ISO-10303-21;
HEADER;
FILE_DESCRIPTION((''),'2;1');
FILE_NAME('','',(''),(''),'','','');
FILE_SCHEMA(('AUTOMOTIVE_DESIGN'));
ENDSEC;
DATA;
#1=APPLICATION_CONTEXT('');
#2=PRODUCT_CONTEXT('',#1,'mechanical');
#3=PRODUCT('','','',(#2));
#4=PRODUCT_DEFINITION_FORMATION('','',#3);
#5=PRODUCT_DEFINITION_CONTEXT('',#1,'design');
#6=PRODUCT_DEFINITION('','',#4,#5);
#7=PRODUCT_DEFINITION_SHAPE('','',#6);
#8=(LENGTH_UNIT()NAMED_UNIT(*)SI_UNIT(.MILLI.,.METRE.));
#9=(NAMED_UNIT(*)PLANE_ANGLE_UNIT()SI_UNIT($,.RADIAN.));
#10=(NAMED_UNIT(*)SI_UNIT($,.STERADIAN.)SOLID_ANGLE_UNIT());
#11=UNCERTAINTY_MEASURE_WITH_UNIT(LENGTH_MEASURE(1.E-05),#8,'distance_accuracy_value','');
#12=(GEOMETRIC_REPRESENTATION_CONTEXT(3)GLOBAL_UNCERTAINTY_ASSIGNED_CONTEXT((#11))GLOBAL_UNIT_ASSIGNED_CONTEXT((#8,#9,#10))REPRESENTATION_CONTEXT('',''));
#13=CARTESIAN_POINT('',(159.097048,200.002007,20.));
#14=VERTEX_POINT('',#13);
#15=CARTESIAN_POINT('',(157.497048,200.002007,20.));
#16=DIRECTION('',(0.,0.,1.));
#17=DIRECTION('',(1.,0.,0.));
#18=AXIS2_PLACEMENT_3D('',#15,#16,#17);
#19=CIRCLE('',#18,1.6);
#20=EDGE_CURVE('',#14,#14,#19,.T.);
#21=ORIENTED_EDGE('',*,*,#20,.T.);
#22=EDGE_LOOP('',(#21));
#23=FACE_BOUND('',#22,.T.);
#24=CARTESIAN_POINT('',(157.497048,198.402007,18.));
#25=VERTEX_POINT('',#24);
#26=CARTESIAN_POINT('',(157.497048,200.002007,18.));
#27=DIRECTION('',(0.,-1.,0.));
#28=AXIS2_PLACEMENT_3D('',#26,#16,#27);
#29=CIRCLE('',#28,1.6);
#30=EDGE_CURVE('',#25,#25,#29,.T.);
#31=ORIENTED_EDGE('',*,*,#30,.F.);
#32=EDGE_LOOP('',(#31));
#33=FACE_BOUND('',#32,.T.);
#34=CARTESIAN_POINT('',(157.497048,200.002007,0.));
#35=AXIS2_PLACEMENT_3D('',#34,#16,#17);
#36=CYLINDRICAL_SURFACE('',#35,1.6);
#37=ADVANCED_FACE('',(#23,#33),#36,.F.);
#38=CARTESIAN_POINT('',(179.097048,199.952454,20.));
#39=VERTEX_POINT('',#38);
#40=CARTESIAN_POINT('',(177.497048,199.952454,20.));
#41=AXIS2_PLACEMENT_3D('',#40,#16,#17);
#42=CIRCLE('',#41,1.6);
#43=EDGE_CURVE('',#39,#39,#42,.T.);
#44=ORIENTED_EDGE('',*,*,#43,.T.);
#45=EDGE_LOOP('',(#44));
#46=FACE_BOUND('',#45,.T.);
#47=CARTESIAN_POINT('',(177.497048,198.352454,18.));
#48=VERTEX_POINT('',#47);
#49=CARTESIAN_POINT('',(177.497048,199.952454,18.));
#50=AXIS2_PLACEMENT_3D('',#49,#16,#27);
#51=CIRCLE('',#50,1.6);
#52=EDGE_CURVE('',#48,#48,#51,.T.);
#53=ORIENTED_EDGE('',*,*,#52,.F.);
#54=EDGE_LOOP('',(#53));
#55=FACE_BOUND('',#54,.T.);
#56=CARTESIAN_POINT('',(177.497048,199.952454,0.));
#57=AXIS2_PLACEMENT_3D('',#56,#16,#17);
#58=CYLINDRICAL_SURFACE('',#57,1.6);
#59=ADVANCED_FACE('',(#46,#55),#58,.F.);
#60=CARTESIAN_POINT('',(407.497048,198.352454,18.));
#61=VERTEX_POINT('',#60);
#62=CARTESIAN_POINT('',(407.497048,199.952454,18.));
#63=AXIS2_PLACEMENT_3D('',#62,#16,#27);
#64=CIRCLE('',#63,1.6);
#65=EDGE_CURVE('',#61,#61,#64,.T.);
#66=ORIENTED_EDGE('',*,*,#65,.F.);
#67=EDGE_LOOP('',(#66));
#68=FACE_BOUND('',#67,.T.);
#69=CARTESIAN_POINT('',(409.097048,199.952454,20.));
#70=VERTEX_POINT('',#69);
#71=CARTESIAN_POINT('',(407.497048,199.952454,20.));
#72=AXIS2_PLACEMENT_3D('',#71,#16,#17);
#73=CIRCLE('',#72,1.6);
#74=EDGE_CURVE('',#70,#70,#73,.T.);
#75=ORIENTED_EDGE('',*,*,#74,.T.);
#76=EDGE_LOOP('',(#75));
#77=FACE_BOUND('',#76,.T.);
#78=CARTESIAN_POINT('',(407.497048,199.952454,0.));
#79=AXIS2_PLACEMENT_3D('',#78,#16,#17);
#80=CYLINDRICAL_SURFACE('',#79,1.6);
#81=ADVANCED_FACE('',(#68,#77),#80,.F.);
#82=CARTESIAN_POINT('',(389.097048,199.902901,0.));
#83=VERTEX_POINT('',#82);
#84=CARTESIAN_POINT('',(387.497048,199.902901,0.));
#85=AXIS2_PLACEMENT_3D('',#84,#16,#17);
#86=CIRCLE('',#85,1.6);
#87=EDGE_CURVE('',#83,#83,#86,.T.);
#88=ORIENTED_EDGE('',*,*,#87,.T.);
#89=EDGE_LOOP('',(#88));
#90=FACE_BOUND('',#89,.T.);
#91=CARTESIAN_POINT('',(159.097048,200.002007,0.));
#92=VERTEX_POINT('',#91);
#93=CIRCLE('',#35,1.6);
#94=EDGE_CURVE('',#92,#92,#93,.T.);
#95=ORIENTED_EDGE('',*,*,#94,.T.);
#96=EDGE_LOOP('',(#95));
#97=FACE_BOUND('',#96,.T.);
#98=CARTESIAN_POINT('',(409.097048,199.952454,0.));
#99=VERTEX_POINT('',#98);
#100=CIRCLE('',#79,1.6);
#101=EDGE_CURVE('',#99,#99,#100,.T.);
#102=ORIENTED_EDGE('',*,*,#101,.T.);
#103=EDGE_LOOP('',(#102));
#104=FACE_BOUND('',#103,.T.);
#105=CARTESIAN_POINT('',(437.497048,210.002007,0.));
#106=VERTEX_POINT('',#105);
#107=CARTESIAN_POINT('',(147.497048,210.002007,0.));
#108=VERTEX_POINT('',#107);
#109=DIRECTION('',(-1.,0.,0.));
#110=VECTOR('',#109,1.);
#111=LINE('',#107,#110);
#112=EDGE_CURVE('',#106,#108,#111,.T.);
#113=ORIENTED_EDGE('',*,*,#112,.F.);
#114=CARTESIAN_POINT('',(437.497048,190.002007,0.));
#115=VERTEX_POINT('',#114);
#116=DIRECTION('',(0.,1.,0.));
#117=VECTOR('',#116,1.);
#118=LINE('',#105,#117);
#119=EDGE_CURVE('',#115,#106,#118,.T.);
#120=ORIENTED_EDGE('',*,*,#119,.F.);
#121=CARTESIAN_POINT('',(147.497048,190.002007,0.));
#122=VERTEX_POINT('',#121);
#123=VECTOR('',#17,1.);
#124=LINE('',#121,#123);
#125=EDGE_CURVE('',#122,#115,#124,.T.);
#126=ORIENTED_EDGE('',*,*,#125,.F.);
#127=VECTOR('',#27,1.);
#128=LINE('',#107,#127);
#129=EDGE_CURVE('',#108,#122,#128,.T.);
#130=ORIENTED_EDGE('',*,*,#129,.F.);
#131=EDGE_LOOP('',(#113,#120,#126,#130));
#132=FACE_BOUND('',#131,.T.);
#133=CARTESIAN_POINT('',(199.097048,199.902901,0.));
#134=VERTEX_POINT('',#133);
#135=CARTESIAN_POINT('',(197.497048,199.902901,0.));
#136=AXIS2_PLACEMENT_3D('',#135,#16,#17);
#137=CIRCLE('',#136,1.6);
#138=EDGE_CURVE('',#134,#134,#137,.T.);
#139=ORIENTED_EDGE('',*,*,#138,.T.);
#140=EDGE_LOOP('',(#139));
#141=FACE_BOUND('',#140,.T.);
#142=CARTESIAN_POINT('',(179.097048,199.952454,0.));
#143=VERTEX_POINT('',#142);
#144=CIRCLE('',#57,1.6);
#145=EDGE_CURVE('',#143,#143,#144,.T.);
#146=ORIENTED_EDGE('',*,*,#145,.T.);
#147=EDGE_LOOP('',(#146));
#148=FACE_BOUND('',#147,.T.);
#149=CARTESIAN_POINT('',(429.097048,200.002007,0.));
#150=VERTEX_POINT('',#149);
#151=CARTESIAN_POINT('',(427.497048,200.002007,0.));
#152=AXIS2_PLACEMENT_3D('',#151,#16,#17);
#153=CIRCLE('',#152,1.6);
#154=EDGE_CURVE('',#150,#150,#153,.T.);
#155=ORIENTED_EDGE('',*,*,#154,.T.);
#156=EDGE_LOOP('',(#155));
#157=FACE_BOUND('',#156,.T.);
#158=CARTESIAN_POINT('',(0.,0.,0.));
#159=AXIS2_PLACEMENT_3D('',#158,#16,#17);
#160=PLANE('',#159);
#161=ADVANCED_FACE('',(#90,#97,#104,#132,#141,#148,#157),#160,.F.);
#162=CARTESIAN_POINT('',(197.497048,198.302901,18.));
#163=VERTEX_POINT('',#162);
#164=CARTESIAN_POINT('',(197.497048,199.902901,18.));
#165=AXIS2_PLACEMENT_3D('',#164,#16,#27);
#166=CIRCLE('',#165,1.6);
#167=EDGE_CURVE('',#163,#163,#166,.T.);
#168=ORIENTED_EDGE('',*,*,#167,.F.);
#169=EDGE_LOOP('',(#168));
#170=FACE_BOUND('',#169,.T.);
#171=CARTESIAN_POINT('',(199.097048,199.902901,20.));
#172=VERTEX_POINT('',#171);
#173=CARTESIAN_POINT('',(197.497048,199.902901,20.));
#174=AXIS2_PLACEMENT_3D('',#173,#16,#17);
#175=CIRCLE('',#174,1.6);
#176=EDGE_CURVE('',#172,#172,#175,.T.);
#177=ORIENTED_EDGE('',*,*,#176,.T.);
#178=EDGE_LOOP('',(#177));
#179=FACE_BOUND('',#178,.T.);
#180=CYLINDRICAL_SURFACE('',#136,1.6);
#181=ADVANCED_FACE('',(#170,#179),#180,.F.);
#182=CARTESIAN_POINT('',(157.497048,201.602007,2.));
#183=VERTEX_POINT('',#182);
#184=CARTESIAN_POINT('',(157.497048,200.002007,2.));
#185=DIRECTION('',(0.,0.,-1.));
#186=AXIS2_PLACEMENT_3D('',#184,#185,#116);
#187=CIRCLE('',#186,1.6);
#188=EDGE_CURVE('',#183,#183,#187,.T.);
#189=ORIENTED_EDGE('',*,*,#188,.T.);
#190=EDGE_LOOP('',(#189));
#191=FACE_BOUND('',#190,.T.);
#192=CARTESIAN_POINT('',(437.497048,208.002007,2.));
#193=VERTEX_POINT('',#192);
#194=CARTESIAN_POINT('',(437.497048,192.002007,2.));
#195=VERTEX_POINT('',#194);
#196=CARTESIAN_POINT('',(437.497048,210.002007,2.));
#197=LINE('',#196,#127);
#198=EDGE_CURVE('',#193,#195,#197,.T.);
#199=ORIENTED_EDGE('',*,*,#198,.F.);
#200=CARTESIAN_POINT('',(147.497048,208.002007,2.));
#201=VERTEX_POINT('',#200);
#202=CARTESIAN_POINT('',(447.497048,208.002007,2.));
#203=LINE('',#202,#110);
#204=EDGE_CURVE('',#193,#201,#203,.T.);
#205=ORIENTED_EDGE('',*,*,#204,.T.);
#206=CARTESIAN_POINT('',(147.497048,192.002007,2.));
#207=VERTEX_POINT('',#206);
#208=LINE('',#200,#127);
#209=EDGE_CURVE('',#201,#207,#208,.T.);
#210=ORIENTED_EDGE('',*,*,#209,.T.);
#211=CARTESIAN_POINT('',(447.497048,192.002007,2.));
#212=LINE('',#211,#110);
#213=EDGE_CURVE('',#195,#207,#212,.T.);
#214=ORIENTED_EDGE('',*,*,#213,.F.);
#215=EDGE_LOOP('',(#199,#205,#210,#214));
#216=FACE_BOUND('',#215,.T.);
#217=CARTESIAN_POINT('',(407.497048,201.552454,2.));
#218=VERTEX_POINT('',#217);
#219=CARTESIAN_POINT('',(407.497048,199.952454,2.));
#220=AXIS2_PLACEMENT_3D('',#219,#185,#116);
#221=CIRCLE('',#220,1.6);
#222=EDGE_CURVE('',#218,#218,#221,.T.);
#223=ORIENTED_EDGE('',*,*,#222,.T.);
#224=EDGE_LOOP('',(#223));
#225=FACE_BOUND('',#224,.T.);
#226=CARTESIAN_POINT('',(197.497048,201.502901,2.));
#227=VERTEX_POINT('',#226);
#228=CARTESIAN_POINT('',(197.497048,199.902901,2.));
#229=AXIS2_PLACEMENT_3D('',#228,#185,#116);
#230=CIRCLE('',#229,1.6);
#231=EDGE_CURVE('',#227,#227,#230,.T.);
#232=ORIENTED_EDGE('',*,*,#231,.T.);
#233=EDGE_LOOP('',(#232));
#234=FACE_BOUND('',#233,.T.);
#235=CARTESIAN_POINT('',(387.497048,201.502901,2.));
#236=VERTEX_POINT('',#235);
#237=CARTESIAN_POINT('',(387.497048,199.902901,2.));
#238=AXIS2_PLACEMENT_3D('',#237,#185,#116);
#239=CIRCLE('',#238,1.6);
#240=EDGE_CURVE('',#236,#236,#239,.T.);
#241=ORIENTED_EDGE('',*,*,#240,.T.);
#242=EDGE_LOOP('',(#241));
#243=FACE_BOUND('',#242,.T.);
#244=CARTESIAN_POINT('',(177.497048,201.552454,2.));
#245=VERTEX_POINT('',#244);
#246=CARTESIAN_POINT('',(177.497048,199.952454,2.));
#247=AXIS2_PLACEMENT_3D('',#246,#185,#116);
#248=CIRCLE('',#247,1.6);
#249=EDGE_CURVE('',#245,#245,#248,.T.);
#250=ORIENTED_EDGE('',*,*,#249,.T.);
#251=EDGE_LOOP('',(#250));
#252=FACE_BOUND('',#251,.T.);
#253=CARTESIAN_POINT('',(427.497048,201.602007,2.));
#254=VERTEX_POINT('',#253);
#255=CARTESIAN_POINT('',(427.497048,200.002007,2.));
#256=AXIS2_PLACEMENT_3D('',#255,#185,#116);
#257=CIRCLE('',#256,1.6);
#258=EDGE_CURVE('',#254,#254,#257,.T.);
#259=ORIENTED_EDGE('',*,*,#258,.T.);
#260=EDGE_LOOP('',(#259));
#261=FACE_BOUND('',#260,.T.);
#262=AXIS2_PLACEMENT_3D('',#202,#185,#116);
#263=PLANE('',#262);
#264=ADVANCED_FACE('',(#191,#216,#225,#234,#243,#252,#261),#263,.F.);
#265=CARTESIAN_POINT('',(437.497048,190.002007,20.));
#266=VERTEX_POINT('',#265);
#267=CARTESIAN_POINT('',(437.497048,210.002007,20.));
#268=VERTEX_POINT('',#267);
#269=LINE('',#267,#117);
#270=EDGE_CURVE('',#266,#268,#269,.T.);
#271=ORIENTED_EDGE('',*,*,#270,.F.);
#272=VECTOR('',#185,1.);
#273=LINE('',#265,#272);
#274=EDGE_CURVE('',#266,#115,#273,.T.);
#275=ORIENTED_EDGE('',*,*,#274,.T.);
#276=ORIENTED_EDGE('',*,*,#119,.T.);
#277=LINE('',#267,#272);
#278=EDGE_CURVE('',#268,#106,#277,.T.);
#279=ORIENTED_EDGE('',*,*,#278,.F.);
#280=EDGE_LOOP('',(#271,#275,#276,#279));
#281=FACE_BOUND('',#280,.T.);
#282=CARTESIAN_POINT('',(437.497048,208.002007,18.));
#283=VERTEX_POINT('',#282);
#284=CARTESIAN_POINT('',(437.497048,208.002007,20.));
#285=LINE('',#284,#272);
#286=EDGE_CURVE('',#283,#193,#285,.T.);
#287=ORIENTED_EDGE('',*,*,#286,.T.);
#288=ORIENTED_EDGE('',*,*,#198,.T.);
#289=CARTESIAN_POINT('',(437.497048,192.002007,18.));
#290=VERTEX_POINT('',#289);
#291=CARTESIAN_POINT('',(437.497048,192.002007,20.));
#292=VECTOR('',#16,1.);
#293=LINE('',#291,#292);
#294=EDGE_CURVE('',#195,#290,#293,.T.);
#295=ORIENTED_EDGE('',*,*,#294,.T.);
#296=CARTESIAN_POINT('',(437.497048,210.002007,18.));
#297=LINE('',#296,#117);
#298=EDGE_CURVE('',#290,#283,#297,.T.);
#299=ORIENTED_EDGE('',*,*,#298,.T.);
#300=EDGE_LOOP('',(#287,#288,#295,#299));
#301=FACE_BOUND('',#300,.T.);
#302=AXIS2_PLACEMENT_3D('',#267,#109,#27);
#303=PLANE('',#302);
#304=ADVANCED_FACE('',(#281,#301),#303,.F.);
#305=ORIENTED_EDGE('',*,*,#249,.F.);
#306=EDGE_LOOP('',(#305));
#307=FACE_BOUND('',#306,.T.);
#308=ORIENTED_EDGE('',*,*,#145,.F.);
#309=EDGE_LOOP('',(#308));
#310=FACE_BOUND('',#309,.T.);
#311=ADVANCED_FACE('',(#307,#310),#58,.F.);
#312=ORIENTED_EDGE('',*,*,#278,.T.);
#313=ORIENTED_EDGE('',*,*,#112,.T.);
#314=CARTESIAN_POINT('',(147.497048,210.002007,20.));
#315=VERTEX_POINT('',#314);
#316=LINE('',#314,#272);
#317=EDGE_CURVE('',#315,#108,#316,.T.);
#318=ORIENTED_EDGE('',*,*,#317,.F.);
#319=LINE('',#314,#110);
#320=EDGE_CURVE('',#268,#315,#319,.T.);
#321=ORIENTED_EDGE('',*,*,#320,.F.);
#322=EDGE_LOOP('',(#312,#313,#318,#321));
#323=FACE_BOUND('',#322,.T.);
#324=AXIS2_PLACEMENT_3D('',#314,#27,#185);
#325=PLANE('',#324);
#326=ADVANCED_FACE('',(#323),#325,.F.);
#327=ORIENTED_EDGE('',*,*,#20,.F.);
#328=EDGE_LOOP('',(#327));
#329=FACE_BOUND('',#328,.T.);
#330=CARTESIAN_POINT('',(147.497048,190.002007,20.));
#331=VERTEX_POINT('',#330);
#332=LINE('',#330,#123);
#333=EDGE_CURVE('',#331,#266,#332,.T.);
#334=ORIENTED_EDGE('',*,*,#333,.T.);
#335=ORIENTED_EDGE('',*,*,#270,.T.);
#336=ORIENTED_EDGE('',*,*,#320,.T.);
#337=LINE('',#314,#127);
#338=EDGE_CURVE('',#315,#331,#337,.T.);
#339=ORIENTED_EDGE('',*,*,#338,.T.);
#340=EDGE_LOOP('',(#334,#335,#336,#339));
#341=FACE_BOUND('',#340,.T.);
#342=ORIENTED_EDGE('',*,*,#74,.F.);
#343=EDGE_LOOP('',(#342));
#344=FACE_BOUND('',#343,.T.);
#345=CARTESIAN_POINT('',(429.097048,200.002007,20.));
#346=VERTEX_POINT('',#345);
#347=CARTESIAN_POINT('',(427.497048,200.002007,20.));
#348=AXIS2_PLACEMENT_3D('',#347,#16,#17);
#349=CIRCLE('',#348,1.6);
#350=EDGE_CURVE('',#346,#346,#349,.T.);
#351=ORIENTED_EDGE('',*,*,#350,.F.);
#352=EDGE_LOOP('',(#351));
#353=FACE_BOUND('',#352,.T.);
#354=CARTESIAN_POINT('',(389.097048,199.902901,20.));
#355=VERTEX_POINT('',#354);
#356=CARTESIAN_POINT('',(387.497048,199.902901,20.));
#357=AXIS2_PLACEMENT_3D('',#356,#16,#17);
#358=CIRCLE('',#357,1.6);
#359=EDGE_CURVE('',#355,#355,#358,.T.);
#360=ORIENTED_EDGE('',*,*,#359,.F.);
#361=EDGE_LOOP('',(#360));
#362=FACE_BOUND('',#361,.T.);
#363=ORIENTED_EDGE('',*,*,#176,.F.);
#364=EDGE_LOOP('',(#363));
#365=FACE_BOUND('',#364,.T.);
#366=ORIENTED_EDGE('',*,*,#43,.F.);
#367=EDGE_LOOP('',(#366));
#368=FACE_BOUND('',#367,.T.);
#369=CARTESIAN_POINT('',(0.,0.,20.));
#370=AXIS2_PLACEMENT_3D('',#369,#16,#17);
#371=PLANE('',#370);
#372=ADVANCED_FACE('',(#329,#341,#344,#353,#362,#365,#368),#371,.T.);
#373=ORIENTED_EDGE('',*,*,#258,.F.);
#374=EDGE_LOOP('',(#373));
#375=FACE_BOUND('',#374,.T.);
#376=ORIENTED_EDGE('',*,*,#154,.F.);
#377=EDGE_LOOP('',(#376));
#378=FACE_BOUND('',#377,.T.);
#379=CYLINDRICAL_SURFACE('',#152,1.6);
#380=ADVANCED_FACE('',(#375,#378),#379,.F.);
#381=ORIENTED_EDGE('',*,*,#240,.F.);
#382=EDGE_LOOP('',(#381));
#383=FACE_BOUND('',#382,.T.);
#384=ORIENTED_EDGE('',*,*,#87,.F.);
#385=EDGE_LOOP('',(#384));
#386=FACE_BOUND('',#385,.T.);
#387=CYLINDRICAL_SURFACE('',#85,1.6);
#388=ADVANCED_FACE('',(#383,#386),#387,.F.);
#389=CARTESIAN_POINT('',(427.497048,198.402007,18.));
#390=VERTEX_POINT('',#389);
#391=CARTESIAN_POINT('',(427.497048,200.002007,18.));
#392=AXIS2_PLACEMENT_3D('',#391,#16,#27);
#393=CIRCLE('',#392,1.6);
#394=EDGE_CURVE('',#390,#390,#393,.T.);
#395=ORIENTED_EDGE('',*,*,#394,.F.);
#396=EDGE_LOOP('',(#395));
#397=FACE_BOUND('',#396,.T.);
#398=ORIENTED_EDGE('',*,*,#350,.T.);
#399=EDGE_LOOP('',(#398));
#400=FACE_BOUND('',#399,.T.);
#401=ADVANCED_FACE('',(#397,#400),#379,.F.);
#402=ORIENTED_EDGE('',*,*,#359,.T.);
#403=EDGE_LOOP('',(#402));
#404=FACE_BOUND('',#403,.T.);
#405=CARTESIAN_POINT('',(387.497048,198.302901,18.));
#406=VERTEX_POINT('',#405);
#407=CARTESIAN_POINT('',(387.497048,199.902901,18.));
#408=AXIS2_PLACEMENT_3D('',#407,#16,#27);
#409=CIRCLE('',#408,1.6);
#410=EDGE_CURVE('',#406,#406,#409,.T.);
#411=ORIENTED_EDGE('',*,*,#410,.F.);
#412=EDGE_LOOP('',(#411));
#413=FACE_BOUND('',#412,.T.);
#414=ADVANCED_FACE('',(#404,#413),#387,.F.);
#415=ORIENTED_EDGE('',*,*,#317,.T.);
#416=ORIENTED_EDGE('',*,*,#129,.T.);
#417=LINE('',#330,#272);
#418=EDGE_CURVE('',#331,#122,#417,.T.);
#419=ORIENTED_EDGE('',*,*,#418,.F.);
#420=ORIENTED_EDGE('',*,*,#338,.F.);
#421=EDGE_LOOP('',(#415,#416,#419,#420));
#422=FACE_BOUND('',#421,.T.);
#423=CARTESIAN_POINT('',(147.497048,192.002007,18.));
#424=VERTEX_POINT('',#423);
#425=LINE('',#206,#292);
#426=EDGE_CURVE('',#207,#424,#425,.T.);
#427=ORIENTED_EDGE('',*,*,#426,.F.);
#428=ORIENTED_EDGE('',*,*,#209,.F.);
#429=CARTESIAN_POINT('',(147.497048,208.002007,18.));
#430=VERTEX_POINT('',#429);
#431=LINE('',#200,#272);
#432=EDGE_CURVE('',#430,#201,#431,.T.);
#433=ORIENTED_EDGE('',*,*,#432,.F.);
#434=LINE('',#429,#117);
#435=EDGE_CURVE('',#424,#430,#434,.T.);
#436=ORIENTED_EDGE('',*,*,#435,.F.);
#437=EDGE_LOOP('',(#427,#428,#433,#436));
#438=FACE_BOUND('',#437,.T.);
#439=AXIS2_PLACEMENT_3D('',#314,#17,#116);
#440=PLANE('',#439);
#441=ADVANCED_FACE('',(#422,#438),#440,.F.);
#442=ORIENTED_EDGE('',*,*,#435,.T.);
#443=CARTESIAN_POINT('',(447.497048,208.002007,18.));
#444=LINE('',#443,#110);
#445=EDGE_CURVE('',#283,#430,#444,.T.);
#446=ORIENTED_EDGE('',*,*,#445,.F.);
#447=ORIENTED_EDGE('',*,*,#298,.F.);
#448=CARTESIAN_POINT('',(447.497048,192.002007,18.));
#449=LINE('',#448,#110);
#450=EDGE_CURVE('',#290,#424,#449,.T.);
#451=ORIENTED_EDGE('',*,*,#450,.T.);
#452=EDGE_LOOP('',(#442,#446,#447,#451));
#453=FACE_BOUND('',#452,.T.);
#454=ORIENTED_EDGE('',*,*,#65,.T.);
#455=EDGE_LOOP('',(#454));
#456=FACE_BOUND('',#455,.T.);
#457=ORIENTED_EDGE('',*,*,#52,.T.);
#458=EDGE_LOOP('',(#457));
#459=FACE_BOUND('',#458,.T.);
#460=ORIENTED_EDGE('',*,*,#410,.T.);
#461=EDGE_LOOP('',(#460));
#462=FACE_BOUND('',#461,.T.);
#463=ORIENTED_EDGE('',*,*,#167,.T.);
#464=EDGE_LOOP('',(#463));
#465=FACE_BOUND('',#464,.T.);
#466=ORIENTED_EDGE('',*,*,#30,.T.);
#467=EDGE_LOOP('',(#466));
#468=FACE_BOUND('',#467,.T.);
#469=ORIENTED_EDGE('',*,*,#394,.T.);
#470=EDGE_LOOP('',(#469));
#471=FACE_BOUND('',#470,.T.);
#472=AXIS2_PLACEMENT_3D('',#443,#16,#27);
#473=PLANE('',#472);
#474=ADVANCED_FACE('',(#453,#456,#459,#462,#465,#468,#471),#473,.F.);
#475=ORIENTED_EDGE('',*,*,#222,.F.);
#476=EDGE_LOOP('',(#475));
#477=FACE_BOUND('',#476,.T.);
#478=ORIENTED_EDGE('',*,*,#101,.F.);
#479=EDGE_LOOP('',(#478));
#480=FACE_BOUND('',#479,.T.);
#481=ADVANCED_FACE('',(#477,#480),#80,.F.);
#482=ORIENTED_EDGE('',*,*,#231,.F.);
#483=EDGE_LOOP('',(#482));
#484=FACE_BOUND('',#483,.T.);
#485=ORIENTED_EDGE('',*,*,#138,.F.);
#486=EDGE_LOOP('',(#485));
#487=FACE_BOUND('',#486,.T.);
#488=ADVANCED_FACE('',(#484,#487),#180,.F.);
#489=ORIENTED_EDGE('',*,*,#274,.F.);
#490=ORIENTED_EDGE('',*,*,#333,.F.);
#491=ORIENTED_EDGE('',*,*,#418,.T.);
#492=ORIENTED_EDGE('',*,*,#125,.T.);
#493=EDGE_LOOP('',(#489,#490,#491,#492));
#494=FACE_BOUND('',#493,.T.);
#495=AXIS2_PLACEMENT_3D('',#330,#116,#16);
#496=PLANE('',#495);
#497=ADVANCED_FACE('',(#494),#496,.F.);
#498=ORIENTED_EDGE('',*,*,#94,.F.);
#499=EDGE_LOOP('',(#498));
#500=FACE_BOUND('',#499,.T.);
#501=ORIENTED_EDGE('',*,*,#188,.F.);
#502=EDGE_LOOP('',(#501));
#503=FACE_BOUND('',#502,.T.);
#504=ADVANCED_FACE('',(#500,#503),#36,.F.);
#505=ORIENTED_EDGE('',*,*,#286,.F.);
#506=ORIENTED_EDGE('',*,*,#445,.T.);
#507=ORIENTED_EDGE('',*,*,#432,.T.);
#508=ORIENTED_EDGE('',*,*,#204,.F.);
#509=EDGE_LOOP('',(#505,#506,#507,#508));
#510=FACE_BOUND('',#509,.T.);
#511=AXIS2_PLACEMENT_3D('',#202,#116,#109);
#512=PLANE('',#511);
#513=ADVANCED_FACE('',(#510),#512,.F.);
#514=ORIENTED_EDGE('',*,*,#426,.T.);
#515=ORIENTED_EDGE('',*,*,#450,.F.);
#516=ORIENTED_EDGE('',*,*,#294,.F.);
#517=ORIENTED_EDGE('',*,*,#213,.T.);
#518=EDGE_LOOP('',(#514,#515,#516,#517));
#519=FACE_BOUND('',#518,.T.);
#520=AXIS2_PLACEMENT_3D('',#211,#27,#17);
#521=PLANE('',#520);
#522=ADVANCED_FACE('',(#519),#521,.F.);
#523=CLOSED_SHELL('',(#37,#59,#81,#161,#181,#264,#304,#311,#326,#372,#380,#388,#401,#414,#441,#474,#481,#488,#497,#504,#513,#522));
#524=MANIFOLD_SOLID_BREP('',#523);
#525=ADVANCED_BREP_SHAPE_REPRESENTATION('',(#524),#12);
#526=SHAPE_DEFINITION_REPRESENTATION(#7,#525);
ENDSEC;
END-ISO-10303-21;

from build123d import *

# Parameters (mm, degrees)
SKETCH1_W          = 290
SKETCH1_H          = 20
EXTRUDE1_DEPTH     = 20
SKETCH2_W          = 16
SKETCH2_H          = 16
CUT_EXTRUDE1_DEPTH = 300
SKETCH4_R          = 1.6
CUT_EXTRUDE2_DEPTH = 20


with BuildPart() as part:
    # Sketch1 → Extrude1 (new body)
    with BuildSketch(Plane.XY):
        with Locations((292.497048214, 200.002006631)):
            Rectangle(SKETCH1_W, SKETCH1_H)
    extrude(amount=EXTRUDE1_DEPTH)

    # Sketch2 → Cut-Extrude1 (cut)
    with BuildSketch(Plane.ZY.offset(-147.497048214)):
        with Locations((10, 200.002006631)):
            Rectangle(SKETCH2_W, SKETCH2_H)
    extrude(amount=-CUT_EXTRUDE1_DEPTH, mode=Mode.SUBTRACT)

    # Sketch4 → Cut-Extrude2 (cut)
    with BuildSketch(Plane.XY.offset(20)):
        with Locations((427.497048214, 200.002006631)):
            Circle(SKETCH4_R)
        with Locations((407.497048214, 199.95245399)):
            Circle(SKETCH4_R)
        with Locations((387.497048214, 199.90290135)):
            Circle(SKETCH4_R)
        with Locations((197.497048214, 199.90290135)):
            Circle(SKETCH4_R)
        with Locations((177.497048214, 199.95245399)):
            Circle(SKETCH4_R)
        with Locations((157.497048214, 200.002006631)):
            Circle(SKETCH4_R)
    extrude(amount=-CUT_EXTRUDE2_DEPTH, mode=Mode.SUBTRACT)


solid = part.part
